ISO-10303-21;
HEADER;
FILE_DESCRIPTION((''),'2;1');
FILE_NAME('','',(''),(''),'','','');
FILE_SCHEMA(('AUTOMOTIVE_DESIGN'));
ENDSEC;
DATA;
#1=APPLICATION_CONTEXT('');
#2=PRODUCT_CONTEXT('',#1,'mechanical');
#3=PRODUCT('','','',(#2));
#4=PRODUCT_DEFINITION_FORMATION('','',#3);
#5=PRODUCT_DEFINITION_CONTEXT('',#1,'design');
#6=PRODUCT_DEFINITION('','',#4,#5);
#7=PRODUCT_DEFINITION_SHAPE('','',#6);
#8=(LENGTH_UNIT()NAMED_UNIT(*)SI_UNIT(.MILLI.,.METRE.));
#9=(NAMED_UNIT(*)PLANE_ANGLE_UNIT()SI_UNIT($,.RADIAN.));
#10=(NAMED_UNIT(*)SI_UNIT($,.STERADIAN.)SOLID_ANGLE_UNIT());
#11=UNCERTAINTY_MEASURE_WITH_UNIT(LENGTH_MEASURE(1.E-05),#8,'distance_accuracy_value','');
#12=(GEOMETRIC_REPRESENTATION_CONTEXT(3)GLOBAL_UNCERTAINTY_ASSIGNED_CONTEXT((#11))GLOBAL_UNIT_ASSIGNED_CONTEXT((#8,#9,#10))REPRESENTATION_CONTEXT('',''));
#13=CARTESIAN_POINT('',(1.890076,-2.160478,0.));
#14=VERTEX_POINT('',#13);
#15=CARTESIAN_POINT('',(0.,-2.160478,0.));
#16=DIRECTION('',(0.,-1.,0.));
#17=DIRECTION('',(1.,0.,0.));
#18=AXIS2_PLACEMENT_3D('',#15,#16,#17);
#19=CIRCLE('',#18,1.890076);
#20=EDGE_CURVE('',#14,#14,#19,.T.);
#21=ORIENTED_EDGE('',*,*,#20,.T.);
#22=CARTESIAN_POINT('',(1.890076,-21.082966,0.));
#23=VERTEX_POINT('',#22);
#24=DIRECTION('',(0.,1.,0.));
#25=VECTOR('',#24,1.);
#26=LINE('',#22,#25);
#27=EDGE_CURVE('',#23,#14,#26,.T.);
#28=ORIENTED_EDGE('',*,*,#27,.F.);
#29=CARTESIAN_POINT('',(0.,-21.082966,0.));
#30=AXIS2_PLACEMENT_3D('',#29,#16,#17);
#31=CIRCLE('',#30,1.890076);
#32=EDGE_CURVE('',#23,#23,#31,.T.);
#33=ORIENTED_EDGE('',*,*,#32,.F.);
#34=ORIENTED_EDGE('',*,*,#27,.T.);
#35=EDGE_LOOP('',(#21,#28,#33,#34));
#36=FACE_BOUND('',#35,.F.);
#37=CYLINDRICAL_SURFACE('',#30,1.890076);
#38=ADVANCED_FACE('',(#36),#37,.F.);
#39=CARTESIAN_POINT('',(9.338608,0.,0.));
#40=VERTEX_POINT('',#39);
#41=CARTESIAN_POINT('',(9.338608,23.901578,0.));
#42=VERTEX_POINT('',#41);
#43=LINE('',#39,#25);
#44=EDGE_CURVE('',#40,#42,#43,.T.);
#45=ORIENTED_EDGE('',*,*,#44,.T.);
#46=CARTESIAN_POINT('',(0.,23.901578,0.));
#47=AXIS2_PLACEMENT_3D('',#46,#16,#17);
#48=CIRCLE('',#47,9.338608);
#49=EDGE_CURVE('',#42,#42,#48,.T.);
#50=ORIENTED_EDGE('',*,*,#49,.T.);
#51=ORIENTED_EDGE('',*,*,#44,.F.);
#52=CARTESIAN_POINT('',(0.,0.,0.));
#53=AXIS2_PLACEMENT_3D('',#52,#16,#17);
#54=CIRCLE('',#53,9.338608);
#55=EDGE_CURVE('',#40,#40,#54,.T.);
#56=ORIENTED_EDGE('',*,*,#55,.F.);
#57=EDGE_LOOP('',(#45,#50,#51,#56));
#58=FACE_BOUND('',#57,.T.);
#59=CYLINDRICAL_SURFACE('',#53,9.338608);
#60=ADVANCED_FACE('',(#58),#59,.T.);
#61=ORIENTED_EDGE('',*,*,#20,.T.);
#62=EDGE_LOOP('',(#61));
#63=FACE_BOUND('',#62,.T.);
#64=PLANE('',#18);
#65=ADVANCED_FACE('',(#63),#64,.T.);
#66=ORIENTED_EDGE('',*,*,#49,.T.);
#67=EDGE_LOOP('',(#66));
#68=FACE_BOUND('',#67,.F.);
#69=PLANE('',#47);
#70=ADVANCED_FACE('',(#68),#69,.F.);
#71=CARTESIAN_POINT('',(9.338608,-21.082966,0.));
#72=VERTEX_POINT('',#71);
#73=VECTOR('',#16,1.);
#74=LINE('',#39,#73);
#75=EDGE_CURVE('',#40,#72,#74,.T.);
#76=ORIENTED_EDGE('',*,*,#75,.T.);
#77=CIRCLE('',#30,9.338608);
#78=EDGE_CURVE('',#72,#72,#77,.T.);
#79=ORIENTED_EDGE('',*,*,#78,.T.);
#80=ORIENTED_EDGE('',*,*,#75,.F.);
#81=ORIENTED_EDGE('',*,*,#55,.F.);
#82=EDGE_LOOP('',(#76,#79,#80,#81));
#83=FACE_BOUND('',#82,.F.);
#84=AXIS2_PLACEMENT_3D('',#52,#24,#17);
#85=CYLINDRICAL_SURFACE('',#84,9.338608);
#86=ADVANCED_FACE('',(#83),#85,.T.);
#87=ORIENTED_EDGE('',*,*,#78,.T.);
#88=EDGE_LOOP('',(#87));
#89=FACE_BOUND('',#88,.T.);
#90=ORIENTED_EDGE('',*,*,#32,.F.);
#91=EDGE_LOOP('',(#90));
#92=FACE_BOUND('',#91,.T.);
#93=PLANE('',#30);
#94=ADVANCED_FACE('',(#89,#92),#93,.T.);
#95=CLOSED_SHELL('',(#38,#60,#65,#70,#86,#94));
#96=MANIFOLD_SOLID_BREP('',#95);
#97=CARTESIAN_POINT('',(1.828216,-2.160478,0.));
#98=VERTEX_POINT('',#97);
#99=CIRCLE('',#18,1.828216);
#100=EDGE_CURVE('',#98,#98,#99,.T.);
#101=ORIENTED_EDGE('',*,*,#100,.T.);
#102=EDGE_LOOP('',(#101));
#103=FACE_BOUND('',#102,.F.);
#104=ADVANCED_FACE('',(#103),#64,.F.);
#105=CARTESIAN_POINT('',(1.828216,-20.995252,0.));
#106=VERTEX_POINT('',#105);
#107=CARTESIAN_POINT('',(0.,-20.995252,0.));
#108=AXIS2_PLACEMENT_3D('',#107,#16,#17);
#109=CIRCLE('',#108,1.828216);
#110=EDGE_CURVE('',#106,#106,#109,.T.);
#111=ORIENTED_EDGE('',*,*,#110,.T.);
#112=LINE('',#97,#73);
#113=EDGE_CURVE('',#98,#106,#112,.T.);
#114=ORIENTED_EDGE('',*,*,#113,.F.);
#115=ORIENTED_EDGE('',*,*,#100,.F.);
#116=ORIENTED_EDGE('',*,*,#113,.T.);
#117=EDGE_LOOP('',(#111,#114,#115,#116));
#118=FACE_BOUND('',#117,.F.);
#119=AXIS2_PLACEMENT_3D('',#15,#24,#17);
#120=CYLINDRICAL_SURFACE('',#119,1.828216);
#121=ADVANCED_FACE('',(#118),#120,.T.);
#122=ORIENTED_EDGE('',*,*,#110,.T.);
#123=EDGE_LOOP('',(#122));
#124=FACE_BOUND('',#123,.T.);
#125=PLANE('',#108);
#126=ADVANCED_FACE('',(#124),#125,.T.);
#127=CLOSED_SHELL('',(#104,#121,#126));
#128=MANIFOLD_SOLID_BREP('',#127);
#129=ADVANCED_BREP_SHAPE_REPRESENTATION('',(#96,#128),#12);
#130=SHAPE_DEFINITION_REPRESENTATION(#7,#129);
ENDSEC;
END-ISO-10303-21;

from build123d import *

# Parameters (mm, degrees)
F0_R          = 9.3386077144
F1_DEPTH      = 23.9015780389
F1_DEPTH_BACK = 21.0829656571
F2_R          = 1.8900761145
F3_DEPTH      = 18.9224872738
F4_R          = 1.8282157513
F5_DEPTH      = 18.8347734511


with BuildPart() as f1:
    # F0 (on Front) → F1 (new body, two sides)
    with BuildSketch(Plane.XZ) as f1_sk:
        Circle(F0_R)
    extrude(amount=-F1_DEPTH)
    extrude(f1_sk.sketch, amount=F1_DEPTH_BACK)

    # F2 (on face) → F3 (cut)
    with BuildSketch(Plane.XZ.offset(21.0829656571)):
        Circle(F2_R)
    extrude(amount=-F3_DEPTH, mode=Mode.SUBTRACT)


with BuildPart() as f5:
    # F4 (on face) → F5 (new body)
    with BuildSketch(Plane.XZ.offset(2.1604783833)):
        Circle(F4_R)
    extrude(amount=F5_DEPTH)


solid = Compound([f1.part, f5.part])
